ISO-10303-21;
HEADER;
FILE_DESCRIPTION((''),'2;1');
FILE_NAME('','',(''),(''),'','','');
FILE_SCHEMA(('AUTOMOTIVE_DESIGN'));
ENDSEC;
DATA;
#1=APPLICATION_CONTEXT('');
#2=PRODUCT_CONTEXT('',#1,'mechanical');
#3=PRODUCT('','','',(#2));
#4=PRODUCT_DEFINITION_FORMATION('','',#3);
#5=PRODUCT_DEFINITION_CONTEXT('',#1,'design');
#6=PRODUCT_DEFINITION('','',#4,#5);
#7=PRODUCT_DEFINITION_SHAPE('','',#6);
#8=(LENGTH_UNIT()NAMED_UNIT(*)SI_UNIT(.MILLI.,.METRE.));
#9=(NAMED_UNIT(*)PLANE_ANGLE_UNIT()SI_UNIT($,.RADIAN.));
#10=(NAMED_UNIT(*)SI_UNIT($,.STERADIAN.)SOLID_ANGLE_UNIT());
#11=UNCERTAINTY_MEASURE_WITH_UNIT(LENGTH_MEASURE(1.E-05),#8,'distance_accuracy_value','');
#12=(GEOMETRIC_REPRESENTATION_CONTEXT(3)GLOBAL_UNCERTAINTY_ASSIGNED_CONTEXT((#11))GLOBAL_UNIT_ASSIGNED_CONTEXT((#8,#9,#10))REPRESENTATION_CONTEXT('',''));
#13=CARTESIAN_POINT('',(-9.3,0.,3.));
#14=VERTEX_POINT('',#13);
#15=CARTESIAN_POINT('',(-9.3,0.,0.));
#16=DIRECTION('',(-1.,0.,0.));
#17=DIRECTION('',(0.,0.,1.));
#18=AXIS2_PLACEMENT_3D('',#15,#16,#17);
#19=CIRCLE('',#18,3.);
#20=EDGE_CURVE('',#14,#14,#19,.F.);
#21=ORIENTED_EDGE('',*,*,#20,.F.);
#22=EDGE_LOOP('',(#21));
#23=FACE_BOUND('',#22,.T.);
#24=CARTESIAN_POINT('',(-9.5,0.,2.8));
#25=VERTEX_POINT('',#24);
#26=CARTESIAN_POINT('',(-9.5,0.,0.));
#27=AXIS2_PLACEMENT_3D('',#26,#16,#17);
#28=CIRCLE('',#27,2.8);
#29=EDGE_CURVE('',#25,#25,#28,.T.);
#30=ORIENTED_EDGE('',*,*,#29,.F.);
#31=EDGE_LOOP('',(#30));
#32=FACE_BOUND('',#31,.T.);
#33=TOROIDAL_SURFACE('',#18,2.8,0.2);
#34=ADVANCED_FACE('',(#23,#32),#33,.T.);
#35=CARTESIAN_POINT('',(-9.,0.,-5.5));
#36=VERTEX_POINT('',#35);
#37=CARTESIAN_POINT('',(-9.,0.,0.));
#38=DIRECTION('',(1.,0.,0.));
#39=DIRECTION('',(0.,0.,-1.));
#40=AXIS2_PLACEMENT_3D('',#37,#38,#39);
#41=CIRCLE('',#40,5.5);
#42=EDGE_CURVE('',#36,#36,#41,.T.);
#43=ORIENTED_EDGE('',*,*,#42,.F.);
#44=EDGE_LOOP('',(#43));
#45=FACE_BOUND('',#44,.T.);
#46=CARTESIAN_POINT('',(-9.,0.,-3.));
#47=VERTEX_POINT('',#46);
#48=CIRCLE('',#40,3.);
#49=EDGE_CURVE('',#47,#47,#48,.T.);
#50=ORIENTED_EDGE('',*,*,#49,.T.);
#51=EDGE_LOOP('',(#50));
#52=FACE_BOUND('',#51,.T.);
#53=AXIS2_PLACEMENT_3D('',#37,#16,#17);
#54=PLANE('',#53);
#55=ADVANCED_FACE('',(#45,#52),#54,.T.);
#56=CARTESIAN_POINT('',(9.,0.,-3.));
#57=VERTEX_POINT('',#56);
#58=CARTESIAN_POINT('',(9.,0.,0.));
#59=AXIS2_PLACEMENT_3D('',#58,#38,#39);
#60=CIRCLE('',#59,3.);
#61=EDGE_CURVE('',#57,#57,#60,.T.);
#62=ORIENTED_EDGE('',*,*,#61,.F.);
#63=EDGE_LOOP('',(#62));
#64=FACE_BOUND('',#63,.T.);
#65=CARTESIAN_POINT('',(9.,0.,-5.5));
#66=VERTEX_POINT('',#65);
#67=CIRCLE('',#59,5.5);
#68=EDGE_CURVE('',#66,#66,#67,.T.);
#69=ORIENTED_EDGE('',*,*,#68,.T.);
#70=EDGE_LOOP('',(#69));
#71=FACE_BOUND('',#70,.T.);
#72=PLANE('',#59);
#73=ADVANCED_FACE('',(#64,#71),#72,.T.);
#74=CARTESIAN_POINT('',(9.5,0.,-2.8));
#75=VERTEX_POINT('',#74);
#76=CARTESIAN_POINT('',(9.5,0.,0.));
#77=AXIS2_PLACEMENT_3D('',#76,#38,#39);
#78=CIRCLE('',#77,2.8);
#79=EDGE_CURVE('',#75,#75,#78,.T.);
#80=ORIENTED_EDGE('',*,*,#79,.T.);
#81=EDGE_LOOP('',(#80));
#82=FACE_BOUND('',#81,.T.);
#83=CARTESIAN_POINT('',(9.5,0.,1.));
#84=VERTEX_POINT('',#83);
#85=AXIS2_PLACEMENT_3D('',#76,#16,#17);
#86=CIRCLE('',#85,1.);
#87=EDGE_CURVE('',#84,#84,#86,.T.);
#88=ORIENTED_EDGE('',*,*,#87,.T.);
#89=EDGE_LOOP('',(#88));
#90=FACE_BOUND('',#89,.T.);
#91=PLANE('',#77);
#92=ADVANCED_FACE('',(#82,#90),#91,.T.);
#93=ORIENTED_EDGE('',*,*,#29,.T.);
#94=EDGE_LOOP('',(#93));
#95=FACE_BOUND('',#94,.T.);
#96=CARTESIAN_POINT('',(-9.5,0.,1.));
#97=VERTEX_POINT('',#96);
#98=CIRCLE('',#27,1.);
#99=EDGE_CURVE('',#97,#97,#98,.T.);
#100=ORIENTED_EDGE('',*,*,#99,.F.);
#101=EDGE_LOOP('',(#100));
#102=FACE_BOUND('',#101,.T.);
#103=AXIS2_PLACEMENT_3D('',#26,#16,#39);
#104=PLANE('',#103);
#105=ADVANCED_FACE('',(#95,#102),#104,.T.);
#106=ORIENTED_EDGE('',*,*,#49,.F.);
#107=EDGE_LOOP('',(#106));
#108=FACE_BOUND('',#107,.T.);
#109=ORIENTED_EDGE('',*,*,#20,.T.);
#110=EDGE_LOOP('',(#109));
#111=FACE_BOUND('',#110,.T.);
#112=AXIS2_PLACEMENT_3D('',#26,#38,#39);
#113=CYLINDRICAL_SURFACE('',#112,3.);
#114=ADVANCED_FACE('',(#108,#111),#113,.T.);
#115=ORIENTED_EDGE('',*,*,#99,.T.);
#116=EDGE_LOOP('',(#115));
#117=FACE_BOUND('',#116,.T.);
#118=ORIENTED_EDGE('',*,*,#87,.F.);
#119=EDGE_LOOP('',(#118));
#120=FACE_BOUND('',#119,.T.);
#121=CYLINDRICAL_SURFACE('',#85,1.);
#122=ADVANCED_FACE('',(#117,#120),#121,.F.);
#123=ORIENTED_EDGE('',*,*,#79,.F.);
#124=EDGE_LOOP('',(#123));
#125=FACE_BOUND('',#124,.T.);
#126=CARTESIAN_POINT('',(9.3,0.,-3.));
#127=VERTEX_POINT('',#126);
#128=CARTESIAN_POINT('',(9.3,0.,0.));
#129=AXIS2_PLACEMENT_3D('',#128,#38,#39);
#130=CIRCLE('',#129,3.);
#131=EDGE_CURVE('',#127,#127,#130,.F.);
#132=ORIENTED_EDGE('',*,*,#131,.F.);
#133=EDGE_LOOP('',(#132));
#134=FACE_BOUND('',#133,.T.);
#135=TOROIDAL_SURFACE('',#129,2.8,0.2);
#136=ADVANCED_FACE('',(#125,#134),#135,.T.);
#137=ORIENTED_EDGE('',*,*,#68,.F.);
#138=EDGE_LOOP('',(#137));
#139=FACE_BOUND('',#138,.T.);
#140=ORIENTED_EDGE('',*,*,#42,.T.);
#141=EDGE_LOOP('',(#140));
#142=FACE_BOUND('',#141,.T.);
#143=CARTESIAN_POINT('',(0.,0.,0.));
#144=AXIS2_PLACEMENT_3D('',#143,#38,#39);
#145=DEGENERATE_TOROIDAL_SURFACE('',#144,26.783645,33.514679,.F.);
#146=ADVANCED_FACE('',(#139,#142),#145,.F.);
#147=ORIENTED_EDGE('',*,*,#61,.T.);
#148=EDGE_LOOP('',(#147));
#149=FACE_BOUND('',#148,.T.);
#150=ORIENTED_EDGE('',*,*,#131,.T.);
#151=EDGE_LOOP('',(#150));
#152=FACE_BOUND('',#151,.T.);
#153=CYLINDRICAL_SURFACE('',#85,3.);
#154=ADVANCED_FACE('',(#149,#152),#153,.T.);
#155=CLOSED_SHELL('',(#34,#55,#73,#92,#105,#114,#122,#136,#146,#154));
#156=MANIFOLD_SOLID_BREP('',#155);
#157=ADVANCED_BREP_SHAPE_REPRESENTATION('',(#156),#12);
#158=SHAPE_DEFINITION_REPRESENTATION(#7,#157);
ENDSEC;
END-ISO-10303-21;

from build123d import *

# Parameters (mm, degrees)
SKETCH3_R           = 3
BOSS_EXTRUDE1_DEPTH = 0.5
SKETCH4_R           = 1
CUT_EXTRUDE2_DEPTH  = 22.251203514
FILLET1_R           = 0.2


with BuildPart() as part:
    # Sketch1 → Revolve1 (revolve)
    with BuildSketch(Plane(origin=(0, 0, 0), x_dir=(1, 0, 0), z_dir=(0, 1, 0))):
        with BuildLine():
            Line((0, 0), (-9, 0))
            Line((-9, 0), (-9, 5.5))
            ThreePointArc((-9, 5.5), (0, 6.731034397), (9, 5.5))
            Line((9, 5.5), (9, 0))
            Line((9, 0), (0, 0))
        make_face()
    revolve(axis=Axis((0, 0, 0), (-1, 0, 0)))

    # Sketch3 → Boss-Extrude1 (add)
    with BuildSketch(Plane(origin=(9, 0, 0), x_dir=(0, 0, -1), z_dir=(1, 0, 0))):
        Circle(SKETCH3_R)
    boss_extrude1 = extrude(amount=BOSS_EXTRUDE1_DEPTH)

    # Mirror1: Boss-Extrude1 across plane
    add(boss_extrude1.mirror(Plane(origin=(0, 0, 0), x_dir=(0, 0, 1), z_dir=(1, 0, 0))))

    # Sketch4 → Cut-Extrude2 (cut, through all)
    with BuildSketch(Plane.ZY.offset(9.5)):
        Circle(SKETCH4_R)
    extrude(amount=-CUT_EXTRUDE2_DEPTH, mode=Mode.SUBTRACT)

    # Fillet1
    fillet1_edges = [part.edges().sort_by_distance(p)[0] for p in [
        (9.5, 0, 3),
        (-9.5, 0, 3),
    ]]
    fillet(fillet1_edges, radius=FILLET1_R)


solid = part.part
